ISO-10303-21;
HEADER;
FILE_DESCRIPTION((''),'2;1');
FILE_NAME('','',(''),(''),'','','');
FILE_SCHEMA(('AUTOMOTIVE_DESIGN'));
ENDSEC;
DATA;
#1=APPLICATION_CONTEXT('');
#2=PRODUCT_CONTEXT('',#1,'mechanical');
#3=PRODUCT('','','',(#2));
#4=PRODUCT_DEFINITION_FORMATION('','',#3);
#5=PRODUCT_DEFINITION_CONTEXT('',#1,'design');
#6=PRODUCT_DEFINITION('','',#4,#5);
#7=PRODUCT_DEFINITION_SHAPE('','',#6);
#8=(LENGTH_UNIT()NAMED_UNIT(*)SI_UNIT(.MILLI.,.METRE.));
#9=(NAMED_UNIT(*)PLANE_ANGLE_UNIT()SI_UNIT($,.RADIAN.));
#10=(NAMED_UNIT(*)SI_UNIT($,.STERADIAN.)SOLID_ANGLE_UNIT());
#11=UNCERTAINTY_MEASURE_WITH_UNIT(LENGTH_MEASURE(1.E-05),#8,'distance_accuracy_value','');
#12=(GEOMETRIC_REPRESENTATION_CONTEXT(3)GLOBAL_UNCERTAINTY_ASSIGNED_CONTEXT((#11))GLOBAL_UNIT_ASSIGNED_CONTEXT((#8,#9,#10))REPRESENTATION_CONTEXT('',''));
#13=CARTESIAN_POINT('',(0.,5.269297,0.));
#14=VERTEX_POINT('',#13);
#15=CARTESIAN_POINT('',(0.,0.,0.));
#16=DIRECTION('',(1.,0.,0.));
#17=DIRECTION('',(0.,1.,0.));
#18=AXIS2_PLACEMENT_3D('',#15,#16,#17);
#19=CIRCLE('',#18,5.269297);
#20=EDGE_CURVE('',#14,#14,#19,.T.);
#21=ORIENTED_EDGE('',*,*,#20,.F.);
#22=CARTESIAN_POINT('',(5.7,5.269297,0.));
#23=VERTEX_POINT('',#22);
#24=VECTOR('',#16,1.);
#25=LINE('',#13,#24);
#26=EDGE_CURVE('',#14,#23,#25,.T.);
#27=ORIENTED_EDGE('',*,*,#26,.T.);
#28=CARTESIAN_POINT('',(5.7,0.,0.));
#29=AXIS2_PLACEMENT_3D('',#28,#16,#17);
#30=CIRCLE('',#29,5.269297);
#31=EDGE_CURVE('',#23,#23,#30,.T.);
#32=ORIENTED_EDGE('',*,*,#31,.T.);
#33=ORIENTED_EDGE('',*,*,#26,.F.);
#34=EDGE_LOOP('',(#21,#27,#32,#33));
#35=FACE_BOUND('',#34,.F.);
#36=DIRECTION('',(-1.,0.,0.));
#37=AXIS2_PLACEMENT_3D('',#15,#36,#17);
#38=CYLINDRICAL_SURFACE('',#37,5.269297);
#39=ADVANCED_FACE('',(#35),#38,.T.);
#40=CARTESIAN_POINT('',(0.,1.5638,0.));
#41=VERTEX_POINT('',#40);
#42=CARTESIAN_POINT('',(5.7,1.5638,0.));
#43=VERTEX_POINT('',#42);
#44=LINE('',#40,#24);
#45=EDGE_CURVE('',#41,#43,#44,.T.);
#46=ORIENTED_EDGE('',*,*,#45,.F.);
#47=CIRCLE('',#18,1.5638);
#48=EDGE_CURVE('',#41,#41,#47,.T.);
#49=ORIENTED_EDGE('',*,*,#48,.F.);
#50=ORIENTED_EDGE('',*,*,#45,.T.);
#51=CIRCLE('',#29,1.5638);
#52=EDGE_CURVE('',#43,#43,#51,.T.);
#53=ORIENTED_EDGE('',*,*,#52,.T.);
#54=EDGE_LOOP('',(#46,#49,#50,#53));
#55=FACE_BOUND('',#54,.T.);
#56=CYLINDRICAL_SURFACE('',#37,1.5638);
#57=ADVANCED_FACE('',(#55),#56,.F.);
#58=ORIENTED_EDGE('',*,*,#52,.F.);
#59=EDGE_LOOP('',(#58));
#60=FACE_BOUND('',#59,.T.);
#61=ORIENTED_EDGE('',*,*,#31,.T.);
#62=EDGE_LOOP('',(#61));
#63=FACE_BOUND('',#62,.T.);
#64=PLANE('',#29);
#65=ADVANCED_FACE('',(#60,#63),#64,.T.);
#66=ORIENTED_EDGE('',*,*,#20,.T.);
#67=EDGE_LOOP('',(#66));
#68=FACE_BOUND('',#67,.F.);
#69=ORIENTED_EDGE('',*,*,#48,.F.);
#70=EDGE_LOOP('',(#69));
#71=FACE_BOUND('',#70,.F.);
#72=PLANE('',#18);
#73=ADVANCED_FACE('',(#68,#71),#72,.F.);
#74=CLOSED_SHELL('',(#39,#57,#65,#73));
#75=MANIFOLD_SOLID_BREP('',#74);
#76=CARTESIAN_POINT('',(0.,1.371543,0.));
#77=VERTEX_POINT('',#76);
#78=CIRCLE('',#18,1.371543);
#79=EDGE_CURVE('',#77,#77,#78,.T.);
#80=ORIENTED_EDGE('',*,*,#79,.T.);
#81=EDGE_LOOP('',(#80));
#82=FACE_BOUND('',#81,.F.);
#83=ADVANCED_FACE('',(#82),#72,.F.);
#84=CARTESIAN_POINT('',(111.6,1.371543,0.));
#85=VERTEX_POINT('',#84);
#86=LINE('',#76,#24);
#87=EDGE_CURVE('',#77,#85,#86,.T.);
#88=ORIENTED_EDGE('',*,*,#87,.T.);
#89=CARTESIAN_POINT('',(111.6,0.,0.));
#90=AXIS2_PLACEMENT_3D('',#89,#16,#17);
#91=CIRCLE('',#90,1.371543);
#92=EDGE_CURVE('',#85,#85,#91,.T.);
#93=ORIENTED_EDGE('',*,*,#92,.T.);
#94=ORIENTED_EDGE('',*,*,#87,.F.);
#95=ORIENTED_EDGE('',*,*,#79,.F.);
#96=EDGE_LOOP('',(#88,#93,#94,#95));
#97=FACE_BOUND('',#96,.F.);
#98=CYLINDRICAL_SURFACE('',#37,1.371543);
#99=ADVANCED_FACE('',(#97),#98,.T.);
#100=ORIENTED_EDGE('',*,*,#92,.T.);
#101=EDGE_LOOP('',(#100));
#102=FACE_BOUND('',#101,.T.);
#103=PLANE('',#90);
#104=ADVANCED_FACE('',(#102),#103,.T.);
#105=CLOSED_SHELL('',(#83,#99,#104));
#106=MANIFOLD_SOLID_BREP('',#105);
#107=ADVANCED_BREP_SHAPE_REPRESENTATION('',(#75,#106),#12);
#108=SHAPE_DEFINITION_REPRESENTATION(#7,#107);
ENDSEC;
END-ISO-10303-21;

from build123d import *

# Parameters (mm, degrees)
F0_R     = 1.371543
F1_DEPTH = 111.6
F2_R     = 5.269297
F2_R_2   = 1.5638
F3_DEPTH = 5.7


with BuildPart() as f1:
    # F0 (on Right) → F1 (new body)
    with BuildSketch(Plane.YZ):
        Circle(F0_R)
    extrude(amount=F1_DEPTH)


with BuildPart() as f3:
    # F2 (on Right) → F3 (new body)
    with BuildSketch(Plane.YZ):
        Circle(F2_R)
        Circle(F2_R_2, mode=Mode.SUBTRACT)
    extrude(amount=F3_DEPTH)


solid = Compound([f1.part, f3.part])
